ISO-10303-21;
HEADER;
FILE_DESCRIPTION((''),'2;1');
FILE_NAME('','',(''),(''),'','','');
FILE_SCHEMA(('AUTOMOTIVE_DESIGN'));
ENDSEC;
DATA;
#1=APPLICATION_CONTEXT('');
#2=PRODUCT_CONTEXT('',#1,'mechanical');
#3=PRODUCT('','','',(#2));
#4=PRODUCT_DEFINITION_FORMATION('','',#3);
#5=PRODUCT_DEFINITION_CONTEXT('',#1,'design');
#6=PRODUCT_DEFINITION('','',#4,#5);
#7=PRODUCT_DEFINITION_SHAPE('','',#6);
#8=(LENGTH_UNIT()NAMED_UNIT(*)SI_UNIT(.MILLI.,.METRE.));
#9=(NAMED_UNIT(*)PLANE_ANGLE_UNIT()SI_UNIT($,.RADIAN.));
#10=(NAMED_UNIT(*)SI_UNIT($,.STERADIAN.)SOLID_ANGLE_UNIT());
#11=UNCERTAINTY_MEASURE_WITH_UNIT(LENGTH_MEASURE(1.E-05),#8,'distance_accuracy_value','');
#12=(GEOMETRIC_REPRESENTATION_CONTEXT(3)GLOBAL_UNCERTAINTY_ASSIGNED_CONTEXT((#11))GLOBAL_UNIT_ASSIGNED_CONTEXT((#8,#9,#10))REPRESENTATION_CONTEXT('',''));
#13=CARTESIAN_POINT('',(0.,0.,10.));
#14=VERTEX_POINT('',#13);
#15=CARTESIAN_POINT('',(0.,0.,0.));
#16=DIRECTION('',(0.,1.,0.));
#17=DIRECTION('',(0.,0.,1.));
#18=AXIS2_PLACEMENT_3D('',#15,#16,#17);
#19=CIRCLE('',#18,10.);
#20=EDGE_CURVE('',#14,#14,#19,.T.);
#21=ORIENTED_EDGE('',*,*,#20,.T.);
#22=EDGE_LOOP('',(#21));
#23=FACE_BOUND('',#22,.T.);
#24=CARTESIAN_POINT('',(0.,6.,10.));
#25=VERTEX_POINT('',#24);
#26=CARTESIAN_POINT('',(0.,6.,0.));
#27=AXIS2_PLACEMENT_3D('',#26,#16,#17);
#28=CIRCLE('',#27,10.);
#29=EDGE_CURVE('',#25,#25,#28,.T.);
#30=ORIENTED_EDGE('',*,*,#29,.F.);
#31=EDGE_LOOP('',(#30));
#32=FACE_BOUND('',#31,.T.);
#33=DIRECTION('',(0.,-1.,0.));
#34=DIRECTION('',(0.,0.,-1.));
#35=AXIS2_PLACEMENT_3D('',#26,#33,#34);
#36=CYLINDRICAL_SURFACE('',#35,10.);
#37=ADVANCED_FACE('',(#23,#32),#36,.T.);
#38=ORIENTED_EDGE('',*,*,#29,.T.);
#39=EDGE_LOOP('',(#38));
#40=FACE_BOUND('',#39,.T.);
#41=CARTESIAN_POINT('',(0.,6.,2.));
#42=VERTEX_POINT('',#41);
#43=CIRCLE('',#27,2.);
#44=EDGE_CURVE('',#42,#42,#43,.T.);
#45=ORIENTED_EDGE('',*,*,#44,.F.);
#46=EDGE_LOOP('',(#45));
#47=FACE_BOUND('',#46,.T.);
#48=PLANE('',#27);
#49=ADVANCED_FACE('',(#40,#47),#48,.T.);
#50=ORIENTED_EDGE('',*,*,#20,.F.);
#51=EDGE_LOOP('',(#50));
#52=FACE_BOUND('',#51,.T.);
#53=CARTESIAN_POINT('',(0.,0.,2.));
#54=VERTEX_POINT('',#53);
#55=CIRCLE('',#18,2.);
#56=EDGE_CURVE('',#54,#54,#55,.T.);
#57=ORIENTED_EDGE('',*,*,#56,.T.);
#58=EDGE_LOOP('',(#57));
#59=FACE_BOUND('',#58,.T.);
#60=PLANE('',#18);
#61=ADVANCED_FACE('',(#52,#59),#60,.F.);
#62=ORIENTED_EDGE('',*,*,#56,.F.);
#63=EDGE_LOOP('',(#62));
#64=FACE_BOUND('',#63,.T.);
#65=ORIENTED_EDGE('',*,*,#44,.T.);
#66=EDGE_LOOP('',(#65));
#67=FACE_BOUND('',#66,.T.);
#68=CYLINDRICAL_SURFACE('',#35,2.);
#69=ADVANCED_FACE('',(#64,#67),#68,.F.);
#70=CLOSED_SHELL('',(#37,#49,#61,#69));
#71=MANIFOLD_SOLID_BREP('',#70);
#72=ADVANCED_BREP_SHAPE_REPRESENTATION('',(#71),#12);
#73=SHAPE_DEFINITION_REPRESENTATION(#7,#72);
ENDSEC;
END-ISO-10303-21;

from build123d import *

# Parameters (mm, degrees)
SKETCH3_R           = 10
SKETCH3_R_2         = 2
BOSS_EXTRUDE2_DEPTH = 6


with BuildPart() as part:
    # Sketch3 → Boss-Extrude2 (new body)
    with BuildSketch(Plane(origin=(0, 0, 0), x_dir=(1, 0, 0), z_dir=(0, 1, 0))):
        Circle(SKETCH3_R)
        Circle(SKETCH3_R_2, mode=Mode.SUBTRACT)
    extrude(amount=BOSS_EXTRUDE2_DEPTH)


solid = part.part
